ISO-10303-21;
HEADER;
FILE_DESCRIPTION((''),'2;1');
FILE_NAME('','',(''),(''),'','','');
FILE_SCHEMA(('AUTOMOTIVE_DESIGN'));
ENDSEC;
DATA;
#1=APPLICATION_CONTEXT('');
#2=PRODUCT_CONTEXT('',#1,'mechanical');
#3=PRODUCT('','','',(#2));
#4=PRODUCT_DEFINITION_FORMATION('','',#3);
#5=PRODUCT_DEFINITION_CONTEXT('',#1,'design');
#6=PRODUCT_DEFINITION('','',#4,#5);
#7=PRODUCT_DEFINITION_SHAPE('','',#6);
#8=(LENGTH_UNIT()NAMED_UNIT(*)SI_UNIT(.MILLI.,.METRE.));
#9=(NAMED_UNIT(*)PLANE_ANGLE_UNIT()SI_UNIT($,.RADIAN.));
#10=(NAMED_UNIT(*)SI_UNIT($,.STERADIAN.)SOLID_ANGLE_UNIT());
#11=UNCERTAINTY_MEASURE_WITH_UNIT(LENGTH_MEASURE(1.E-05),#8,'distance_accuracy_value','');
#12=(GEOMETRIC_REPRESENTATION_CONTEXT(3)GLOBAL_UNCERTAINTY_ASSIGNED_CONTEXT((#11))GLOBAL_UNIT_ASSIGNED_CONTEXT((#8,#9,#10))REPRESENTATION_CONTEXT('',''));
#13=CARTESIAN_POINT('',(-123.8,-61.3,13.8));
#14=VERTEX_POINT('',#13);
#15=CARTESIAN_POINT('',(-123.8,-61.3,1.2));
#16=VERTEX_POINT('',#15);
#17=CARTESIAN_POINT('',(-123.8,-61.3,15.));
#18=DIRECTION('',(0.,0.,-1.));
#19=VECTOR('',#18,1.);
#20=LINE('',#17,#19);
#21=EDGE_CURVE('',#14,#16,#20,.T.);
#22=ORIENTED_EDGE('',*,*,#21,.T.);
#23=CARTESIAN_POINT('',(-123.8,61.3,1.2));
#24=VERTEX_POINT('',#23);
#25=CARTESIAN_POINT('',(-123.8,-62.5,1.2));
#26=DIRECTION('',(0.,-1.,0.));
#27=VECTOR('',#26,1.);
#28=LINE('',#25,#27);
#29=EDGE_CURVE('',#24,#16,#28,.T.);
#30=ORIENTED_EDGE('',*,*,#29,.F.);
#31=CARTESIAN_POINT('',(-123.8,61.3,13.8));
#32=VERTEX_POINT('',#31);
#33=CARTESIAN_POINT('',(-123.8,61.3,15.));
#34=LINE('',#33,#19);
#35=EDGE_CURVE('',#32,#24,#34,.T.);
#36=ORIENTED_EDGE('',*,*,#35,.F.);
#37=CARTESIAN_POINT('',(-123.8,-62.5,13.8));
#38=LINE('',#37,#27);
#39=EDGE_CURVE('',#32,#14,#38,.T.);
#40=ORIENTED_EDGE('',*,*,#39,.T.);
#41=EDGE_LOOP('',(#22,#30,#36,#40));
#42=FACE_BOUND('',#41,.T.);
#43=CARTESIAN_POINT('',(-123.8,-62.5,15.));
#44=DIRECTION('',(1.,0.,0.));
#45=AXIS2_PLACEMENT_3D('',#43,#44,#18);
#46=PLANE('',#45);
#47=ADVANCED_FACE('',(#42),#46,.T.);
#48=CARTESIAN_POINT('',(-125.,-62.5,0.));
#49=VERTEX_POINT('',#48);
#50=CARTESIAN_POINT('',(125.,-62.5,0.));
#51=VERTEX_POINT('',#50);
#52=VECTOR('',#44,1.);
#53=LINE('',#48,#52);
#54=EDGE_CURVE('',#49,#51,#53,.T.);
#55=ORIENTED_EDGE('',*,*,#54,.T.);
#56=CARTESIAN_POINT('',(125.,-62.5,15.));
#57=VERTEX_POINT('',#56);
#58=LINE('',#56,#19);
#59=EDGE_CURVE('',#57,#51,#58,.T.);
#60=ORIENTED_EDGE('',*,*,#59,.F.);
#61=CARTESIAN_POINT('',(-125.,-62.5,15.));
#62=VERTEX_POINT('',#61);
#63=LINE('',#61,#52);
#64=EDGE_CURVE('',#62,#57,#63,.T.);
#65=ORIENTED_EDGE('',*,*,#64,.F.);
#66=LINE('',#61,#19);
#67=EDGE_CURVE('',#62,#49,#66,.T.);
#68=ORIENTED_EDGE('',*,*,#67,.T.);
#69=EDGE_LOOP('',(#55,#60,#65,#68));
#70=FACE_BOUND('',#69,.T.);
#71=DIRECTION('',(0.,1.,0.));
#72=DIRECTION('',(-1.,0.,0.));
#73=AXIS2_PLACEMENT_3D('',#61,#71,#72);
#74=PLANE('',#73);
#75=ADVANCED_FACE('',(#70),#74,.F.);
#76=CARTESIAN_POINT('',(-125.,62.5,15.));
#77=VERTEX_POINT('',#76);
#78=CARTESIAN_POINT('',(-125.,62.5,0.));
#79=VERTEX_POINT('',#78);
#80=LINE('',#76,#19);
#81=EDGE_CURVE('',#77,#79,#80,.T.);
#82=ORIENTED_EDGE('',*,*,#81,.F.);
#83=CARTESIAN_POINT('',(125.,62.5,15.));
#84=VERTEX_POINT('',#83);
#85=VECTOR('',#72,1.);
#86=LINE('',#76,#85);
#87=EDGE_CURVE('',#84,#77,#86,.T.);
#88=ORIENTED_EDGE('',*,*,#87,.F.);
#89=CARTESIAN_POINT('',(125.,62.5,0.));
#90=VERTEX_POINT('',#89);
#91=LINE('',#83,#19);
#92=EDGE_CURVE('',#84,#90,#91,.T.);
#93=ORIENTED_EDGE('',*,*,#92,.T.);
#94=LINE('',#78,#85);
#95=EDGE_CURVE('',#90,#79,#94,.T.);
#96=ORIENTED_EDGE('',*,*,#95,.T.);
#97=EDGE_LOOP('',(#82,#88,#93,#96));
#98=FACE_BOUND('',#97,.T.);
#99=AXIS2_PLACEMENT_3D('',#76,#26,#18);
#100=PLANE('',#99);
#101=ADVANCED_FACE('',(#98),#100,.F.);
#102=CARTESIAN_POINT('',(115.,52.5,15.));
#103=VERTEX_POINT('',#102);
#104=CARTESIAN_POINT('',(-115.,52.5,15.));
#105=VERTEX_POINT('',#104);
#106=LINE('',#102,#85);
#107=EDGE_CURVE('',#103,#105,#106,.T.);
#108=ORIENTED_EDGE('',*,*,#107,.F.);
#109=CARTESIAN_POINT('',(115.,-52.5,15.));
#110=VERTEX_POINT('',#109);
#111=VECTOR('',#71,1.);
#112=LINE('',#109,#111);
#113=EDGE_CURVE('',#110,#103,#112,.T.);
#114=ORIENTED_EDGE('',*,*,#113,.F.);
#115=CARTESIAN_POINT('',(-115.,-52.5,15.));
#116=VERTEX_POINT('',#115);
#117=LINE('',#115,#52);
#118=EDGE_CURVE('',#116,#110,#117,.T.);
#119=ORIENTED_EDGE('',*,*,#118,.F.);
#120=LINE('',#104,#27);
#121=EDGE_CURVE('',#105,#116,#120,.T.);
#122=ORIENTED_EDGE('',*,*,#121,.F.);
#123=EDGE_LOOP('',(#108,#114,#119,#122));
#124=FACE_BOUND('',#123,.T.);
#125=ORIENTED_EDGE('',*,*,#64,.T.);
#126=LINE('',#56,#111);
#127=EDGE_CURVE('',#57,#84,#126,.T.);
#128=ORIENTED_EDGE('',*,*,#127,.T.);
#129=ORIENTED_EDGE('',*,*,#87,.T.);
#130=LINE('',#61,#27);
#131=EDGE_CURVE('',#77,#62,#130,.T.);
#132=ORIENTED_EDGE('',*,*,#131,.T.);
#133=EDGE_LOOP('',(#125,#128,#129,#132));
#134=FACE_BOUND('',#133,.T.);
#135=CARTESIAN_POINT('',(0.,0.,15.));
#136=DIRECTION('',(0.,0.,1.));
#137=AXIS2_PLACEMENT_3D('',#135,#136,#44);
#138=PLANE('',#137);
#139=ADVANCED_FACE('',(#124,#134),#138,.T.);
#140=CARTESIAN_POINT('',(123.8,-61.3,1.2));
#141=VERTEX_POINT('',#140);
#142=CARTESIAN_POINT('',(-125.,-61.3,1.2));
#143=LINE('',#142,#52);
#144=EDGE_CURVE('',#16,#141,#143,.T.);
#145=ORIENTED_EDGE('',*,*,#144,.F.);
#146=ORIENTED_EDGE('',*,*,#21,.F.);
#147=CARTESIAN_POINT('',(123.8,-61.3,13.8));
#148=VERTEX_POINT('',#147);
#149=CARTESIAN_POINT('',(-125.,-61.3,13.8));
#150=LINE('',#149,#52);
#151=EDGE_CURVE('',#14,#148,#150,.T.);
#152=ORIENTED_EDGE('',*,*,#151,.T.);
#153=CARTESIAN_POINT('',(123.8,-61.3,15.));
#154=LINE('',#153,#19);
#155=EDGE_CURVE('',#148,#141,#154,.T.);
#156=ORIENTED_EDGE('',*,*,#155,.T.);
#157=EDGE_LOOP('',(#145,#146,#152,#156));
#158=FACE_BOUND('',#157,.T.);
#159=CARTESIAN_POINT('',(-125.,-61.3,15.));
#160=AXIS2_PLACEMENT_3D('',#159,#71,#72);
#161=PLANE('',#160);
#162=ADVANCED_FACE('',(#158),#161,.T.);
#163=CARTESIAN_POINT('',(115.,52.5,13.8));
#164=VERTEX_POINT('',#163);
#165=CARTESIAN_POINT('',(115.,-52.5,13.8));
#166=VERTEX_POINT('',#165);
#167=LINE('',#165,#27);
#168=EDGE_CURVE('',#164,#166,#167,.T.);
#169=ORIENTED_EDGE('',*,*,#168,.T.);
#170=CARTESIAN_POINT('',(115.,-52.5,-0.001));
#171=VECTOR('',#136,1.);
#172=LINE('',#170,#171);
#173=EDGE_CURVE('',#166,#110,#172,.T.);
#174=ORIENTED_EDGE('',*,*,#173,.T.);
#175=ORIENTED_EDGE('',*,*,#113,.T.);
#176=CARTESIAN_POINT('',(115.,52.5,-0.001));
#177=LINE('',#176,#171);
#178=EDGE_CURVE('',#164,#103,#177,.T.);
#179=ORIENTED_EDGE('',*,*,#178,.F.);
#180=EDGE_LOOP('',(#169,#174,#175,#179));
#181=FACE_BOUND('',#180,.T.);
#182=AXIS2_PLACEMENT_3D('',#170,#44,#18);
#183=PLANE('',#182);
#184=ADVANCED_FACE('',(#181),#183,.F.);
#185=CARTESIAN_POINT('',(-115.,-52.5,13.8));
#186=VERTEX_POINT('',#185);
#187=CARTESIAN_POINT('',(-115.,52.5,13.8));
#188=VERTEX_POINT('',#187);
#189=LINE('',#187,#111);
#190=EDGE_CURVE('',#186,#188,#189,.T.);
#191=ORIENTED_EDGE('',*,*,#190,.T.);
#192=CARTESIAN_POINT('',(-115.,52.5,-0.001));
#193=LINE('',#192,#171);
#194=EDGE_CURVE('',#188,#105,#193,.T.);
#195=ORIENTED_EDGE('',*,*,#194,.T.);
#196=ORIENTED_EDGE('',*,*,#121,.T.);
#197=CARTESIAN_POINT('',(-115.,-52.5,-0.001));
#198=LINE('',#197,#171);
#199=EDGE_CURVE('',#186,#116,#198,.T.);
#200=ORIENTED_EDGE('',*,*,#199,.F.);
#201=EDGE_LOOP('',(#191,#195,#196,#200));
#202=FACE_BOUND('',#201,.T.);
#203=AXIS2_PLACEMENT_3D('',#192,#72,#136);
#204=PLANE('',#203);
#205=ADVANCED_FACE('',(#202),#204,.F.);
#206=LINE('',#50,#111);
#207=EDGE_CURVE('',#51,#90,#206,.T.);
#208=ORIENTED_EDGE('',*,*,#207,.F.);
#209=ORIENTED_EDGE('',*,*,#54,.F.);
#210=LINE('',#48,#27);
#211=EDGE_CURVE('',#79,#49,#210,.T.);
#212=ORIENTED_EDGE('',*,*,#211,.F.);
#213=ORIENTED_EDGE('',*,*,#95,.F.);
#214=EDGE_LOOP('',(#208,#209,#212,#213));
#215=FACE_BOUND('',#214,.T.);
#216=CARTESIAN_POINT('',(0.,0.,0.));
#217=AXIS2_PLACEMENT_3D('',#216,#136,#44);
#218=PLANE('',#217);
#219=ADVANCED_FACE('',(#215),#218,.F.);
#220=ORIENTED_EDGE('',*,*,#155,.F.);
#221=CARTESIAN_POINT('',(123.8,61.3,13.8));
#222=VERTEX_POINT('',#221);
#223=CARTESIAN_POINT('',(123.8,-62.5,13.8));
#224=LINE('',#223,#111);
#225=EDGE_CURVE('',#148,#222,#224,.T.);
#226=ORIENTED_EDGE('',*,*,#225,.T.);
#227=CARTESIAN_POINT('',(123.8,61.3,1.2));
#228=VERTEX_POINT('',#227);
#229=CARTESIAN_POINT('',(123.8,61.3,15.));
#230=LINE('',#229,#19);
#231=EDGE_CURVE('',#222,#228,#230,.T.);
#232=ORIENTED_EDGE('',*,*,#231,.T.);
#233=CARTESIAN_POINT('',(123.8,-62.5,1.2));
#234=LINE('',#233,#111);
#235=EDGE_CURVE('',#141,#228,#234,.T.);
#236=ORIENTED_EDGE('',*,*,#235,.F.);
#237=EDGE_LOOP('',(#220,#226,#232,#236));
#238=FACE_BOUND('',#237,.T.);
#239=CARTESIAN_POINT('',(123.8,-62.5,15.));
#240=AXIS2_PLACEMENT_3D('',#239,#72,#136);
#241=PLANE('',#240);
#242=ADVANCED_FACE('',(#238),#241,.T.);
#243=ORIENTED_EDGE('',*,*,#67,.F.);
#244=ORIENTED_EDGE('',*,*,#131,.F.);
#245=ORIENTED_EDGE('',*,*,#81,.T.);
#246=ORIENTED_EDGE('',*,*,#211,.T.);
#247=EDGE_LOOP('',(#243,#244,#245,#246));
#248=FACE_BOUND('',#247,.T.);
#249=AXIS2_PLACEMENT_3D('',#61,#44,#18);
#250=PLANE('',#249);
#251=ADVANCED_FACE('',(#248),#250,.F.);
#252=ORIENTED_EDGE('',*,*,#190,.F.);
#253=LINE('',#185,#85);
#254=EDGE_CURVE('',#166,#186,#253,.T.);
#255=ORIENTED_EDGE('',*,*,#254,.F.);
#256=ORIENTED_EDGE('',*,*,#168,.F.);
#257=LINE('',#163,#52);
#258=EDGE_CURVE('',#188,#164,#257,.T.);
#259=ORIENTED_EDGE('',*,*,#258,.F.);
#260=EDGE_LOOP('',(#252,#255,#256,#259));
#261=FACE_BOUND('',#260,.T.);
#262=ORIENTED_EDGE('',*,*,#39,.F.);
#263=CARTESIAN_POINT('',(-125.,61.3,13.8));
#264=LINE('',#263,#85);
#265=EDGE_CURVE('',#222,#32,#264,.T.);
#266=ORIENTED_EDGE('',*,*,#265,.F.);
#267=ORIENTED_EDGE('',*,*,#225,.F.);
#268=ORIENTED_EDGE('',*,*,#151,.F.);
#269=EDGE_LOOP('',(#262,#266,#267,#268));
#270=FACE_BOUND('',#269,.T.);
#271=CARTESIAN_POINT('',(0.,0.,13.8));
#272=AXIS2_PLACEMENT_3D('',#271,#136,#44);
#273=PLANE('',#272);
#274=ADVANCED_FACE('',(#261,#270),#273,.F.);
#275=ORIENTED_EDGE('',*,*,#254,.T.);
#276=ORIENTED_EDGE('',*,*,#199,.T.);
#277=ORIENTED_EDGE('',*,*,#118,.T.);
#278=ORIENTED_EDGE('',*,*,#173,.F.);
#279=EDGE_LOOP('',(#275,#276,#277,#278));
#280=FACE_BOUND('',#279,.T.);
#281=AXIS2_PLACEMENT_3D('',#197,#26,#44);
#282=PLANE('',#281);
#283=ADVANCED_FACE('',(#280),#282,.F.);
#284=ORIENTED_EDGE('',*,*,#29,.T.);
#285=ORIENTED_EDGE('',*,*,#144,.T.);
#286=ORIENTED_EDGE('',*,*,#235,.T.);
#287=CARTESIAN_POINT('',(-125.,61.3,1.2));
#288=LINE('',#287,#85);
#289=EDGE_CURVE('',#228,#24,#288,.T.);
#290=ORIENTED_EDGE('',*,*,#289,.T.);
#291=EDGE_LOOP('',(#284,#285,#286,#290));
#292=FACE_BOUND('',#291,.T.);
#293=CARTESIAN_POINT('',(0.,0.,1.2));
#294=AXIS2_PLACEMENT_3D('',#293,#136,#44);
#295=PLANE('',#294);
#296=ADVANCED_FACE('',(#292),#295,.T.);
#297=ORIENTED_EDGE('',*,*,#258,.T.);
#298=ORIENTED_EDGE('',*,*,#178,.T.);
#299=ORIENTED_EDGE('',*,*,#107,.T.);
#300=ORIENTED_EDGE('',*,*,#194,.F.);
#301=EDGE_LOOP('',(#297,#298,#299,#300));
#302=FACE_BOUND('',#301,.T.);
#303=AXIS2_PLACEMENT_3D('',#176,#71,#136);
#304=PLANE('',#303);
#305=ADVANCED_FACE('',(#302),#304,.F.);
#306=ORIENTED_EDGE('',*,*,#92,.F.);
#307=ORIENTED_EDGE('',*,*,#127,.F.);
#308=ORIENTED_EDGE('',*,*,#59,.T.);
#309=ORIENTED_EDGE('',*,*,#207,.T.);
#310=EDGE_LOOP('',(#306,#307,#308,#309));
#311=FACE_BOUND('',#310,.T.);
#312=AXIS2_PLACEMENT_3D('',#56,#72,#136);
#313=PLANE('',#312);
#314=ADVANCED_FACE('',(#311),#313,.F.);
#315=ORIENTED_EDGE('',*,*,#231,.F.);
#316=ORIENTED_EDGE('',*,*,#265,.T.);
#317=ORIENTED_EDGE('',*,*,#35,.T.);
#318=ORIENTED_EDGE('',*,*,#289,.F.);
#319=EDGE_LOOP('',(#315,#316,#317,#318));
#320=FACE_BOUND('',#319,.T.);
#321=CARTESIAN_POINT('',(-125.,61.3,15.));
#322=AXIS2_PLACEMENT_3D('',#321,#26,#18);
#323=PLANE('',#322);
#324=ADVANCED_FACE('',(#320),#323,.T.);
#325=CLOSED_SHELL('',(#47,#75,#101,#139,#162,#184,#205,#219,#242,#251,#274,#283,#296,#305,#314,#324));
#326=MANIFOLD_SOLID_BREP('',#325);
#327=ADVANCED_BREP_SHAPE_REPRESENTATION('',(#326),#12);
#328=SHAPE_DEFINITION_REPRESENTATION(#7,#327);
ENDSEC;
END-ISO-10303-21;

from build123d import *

# Parameters (mm, degrees)
SKETCH_1_W          = 250
SKETCH_1_H          = 125
EXTRUDE_1_DEPTH     = 15
SHELL_1_T           = 1.2
CUT_EXTRUDE_1_REACH = 142.557
SKETCH_3_W          = 230
SKETCH_3_H          = 105


with BuildPart() as part:
    # 草图1 → 凸台-拉伸1 (new body)
    with BuildSketch(Plane.XY):
        Rectangle(SKETCH_1_W, SKETCH_1_H)
    extrude(amount=EXTRUDE_1_DEPTH)

    # 抽壳1 (no face opened: a closed hollow body)
    add(offset(amount=-SHELL_1_T, mode=Mode.PRIVATE), mode=Mode.SUBTRACT)

    # 草图3 → 切除-拉伸1 (cut, up to next)
    with BuildSketch(Plane.XY.offset(15), mode=Mode.PRIVATE) as cut_extrude_1_sk1:
        Rectangle(SKETCH_3_W, SKETCH_3_H)
    cut_extrude_1_tool1 = extrude(cut_extrude_1_sk1.sketch, amount=-CUT_EXTRUDE_1_REACH, mode=Mode.PRIVATE) & part.part
    add(cut_extrude_1_tool1.solids().sort_by_distance((0, 0, 15))[0], mode=Mode.SUBTRACT)


solid = part.part
